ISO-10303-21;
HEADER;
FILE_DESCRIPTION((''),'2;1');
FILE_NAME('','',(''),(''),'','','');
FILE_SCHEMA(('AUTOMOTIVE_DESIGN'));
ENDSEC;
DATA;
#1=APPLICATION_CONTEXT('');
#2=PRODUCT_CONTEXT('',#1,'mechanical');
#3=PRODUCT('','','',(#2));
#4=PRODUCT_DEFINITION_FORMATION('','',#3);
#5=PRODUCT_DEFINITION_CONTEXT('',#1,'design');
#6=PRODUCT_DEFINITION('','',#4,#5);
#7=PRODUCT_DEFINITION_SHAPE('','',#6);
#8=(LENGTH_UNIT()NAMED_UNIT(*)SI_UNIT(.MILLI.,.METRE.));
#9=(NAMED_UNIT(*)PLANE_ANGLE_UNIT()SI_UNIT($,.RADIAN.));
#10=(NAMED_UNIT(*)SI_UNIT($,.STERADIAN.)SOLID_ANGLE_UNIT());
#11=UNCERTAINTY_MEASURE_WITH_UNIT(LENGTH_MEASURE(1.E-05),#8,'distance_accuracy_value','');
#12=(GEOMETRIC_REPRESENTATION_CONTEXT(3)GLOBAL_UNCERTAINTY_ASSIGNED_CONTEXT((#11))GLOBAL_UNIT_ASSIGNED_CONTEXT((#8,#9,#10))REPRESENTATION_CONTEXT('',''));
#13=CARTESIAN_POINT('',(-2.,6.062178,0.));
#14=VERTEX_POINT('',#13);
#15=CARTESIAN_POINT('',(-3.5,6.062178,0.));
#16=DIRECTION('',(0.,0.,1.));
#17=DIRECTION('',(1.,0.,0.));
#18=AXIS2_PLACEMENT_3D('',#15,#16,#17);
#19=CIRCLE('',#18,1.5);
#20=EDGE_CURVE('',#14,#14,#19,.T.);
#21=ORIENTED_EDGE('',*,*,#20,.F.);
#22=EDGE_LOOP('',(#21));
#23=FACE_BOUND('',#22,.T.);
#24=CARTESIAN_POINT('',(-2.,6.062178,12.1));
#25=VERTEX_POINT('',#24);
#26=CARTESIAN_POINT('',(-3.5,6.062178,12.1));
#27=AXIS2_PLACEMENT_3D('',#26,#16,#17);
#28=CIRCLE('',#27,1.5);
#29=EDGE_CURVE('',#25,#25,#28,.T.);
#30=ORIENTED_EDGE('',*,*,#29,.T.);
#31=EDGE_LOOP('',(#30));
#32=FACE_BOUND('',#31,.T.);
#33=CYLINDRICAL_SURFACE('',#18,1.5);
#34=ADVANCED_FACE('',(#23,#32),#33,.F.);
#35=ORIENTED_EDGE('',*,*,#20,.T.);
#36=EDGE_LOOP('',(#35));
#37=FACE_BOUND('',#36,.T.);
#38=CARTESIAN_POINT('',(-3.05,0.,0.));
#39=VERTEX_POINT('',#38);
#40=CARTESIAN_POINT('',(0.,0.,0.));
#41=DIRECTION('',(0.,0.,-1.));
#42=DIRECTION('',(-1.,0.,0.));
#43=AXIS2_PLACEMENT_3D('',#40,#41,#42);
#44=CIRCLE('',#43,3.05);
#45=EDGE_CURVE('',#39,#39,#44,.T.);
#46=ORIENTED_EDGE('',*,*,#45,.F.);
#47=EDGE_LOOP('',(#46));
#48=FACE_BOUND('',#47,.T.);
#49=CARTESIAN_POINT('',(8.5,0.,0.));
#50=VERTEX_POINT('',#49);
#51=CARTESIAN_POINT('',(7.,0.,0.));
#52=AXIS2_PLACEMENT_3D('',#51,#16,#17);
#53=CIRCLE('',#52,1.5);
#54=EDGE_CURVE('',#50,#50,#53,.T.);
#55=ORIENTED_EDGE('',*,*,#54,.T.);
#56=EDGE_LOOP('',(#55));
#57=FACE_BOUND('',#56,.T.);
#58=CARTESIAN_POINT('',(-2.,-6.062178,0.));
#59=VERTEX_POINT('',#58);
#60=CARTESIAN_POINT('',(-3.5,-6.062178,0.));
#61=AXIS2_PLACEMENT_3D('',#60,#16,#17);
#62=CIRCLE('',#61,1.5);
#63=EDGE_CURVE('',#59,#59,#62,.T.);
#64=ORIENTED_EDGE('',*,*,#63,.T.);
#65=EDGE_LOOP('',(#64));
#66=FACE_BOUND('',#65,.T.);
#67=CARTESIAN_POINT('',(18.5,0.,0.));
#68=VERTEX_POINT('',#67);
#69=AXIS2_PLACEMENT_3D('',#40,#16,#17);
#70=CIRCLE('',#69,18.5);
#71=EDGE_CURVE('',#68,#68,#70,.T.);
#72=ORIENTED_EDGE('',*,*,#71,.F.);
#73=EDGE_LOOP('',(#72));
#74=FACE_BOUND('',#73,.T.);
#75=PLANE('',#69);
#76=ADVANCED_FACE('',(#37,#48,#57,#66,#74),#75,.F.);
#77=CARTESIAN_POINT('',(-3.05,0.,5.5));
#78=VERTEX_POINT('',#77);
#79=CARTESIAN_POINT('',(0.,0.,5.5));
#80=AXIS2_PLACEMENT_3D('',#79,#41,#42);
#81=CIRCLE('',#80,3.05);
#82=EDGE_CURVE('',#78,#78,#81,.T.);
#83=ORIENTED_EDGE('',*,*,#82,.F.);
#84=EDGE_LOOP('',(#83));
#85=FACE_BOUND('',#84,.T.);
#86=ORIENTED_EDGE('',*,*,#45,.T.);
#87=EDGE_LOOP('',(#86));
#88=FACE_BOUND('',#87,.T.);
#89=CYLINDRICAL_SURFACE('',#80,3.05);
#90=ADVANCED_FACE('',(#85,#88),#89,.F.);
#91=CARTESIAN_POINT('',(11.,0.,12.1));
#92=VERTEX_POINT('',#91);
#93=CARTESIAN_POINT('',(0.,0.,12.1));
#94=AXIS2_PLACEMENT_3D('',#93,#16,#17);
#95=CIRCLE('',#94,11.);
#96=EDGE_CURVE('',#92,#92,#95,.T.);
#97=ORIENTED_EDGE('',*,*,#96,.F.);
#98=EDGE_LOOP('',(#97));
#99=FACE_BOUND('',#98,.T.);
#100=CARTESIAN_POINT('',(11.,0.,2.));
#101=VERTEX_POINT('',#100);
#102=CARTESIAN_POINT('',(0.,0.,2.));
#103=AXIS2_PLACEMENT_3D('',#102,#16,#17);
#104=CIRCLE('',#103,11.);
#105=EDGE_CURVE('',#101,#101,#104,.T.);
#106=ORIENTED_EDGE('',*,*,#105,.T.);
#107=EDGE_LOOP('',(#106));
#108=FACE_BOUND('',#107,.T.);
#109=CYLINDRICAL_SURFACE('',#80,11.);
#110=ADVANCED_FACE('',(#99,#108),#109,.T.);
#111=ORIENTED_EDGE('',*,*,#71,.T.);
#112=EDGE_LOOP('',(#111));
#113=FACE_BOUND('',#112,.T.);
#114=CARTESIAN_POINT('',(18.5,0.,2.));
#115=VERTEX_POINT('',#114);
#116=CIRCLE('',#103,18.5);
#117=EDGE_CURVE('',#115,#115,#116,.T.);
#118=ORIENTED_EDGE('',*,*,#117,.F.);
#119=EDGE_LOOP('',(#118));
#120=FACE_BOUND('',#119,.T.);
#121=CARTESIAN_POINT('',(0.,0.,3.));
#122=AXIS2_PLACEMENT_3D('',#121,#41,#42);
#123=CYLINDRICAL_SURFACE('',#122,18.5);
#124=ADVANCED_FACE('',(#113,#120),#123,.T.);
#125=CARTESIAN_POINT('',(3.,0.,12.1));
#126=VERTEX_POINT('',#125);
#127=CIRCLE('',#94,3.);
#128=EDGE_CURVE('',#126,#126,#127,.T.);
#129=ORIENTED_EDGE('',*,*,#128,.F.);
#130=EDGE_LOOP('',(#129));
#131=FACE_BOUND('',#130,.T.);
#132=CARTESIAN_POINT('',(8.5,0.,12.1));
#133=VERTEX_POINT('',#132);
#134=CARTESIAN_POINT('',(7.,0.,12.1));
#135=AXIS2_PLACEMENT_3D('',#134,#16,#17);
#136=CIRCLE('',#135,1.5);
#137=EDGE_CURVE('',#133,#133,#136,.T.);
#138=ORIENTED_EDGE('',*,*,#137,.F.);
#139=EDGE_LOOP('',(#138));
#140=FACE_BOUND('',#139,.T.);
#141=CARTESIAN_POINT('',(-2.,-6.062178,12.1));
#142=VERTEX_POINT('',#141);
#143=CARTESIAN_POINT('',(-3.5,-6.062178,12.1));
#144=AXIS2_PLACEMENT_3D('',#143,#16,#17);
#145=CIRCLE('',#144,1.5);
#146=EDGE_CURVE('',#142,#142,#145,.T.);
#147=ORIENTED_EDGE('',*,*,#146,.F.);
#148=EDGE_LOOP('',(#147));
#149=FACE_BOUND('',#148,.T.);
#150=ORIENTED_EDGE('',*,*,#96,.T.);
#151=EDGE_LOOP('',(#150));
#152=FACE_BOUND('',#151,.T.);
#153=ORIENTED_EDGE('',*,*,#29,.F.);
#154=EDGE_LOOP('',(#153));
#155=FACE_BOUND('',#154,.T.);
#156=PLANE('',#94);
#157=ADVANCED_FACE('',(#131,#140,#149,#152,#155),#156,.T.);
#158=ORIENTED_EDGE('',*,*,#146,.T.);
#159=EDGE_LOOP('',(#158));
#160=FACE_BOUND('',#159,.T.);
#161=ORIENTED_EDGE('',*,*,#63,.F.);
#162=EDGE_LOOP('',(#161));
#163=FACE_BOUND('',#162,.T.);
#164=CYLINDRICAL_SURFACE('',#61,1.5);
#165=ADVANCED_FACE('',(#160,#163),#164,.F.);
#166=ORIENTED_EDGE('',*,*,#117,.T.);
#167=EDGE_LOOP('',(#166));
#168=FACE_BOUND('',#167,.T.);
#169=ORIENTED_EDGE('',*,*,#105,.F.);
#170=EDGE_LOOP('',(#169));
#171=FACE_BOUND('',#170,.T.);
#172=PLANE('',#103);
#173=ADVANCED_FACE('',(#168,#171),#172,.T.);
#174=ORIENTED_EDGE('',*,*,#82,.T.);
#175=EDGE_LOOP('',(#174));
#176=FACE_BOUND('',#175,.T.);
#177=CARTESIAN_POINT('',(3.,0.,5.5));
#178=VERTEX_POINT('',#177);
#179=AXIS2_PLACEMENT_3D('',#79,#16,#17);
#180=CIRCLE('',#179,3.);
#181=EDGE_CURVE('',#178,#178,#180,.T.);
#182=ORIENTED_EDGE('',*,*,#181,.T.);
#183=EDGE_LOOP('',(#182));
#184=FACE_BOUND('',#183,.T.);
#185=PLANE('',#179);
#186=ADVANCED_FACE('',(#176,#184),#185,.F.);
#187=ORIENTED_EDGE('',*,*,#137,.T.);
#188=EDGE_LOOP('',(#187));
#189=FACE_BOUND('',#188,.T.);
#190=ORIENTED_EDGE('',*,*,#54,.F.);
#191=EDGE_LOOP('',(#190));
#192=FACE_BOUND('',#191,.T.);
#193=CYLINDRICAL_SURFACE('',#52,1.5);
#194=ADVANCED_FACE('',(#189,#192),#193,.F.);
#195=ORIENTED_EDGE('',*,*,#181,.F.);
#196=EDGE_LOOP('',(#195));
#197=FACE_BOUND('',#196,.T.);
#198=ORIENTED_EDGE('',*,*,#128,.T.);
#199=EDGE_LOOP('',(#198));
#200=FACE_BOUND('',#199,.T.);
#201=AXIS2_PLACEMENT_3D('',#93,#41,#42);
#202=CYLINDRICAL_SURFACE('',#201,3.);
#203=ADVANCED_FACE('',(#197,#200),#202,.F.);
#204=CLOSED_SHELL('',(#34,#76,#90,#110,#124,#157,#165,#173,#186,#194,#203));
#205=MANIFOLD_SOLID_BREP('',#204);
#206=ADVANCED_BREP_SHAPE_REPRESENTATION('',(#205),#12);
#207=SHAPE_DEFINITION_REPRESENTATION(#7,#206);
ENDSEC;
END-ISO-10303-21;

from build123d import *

# Parameters (mm, degrees)
SKETCH1_R           = 18.5
BOSS_EXTRUDE1_DEPTH = 3
SKETCH2_R           = 11
BOSS_EXTRUDE2_DEPTH = 2.5
SKETCH4_R           = 3.05
CUT_EXTRUDE1_DEPTH  = 27.734808771
SKETCH7_R           = 11
SKETCH7_R_2         = 3
BOSS_EXTRUDE3_DEPTH = 6.6
SKETCH9_R           = 1.5
CUT_EXTRUDE4_DEPTH  = 29.825509536
CUT_EXTRUDE5_START  = -1
SKETCH10_R          = 18.5
SKETCH10_R_2        = 11
CUT_EXTRUDE5_DEPTH  = 1


with BuildPart() as part:
    # Sketch1 → Boss-Extrude1 (new body)
    with BuildSketch(Plane.XY):
        Circle(SKETCH1_R)
    extrude(amount=BOSS_EXTRUDE1_DEPTH)

    # Sketch2 → Boss-Extrude2 (add)
    with BuildSketch(Plane.XY.offset(3)):
        Circle(SKETCH2_R)
    extrude(amount=BOSS_EXTRUDE2_DEPTH)

    # Sketch4 → Cut-Extrude1 (cut, through all)
    with BuildSketch(Plane(origin=(0, 0, 0), x_dir=(-1, 0, 0), z_dir=(0, 0, -1))):
        Circle(SKETCH4_R)
    extrude(amount=-CUT_EXTRUDE1_DEPTH, mode=Mode.SUBTRACT)

    # Sketch7 → Boss-Extrude3 (add)
    with BuildSketch(Plane.XY.offset(5.5)):
        Circle(SKETCH7_R)
        Circle(SKETCH7_R_2, mode=Mode.SUBTRACT)
    extrude(amount=BOSS_EXTRUDE3_DEPTH)

    # Sketch9 → Cut-Extrude4 (cut, through all)
    with BuildSketch(Plane.XY.offset(12.1)):
        with Locations((7, 0)):
            Circle(SKETCH9_R)
        with Locations((-3.5, -6.062177826)):
            Circle(SKETCH9_R)
        with Locations((-3.5, 6.062177826)):
            Circle(SKETCH9_R)
    extrude(amount=-CUT_EXTRUDE4_DEPTH, mode=Mode.SUBTRACT)

    # Sketch10 → Cut-Extrude5 (cut)
    with BuildSketch(Plane.XY.offset(3).offset(CUT_EXTRUDE5_START)):
        Circle(SKETCH10_R)
        Circle(SKETCH10_R_2, mode=Mode.SUBTRACT)
    extrude(amount=CUT_EXTRUDE5_DEPTH, mode=Mode.SUBTRACT)


solid = part.part
